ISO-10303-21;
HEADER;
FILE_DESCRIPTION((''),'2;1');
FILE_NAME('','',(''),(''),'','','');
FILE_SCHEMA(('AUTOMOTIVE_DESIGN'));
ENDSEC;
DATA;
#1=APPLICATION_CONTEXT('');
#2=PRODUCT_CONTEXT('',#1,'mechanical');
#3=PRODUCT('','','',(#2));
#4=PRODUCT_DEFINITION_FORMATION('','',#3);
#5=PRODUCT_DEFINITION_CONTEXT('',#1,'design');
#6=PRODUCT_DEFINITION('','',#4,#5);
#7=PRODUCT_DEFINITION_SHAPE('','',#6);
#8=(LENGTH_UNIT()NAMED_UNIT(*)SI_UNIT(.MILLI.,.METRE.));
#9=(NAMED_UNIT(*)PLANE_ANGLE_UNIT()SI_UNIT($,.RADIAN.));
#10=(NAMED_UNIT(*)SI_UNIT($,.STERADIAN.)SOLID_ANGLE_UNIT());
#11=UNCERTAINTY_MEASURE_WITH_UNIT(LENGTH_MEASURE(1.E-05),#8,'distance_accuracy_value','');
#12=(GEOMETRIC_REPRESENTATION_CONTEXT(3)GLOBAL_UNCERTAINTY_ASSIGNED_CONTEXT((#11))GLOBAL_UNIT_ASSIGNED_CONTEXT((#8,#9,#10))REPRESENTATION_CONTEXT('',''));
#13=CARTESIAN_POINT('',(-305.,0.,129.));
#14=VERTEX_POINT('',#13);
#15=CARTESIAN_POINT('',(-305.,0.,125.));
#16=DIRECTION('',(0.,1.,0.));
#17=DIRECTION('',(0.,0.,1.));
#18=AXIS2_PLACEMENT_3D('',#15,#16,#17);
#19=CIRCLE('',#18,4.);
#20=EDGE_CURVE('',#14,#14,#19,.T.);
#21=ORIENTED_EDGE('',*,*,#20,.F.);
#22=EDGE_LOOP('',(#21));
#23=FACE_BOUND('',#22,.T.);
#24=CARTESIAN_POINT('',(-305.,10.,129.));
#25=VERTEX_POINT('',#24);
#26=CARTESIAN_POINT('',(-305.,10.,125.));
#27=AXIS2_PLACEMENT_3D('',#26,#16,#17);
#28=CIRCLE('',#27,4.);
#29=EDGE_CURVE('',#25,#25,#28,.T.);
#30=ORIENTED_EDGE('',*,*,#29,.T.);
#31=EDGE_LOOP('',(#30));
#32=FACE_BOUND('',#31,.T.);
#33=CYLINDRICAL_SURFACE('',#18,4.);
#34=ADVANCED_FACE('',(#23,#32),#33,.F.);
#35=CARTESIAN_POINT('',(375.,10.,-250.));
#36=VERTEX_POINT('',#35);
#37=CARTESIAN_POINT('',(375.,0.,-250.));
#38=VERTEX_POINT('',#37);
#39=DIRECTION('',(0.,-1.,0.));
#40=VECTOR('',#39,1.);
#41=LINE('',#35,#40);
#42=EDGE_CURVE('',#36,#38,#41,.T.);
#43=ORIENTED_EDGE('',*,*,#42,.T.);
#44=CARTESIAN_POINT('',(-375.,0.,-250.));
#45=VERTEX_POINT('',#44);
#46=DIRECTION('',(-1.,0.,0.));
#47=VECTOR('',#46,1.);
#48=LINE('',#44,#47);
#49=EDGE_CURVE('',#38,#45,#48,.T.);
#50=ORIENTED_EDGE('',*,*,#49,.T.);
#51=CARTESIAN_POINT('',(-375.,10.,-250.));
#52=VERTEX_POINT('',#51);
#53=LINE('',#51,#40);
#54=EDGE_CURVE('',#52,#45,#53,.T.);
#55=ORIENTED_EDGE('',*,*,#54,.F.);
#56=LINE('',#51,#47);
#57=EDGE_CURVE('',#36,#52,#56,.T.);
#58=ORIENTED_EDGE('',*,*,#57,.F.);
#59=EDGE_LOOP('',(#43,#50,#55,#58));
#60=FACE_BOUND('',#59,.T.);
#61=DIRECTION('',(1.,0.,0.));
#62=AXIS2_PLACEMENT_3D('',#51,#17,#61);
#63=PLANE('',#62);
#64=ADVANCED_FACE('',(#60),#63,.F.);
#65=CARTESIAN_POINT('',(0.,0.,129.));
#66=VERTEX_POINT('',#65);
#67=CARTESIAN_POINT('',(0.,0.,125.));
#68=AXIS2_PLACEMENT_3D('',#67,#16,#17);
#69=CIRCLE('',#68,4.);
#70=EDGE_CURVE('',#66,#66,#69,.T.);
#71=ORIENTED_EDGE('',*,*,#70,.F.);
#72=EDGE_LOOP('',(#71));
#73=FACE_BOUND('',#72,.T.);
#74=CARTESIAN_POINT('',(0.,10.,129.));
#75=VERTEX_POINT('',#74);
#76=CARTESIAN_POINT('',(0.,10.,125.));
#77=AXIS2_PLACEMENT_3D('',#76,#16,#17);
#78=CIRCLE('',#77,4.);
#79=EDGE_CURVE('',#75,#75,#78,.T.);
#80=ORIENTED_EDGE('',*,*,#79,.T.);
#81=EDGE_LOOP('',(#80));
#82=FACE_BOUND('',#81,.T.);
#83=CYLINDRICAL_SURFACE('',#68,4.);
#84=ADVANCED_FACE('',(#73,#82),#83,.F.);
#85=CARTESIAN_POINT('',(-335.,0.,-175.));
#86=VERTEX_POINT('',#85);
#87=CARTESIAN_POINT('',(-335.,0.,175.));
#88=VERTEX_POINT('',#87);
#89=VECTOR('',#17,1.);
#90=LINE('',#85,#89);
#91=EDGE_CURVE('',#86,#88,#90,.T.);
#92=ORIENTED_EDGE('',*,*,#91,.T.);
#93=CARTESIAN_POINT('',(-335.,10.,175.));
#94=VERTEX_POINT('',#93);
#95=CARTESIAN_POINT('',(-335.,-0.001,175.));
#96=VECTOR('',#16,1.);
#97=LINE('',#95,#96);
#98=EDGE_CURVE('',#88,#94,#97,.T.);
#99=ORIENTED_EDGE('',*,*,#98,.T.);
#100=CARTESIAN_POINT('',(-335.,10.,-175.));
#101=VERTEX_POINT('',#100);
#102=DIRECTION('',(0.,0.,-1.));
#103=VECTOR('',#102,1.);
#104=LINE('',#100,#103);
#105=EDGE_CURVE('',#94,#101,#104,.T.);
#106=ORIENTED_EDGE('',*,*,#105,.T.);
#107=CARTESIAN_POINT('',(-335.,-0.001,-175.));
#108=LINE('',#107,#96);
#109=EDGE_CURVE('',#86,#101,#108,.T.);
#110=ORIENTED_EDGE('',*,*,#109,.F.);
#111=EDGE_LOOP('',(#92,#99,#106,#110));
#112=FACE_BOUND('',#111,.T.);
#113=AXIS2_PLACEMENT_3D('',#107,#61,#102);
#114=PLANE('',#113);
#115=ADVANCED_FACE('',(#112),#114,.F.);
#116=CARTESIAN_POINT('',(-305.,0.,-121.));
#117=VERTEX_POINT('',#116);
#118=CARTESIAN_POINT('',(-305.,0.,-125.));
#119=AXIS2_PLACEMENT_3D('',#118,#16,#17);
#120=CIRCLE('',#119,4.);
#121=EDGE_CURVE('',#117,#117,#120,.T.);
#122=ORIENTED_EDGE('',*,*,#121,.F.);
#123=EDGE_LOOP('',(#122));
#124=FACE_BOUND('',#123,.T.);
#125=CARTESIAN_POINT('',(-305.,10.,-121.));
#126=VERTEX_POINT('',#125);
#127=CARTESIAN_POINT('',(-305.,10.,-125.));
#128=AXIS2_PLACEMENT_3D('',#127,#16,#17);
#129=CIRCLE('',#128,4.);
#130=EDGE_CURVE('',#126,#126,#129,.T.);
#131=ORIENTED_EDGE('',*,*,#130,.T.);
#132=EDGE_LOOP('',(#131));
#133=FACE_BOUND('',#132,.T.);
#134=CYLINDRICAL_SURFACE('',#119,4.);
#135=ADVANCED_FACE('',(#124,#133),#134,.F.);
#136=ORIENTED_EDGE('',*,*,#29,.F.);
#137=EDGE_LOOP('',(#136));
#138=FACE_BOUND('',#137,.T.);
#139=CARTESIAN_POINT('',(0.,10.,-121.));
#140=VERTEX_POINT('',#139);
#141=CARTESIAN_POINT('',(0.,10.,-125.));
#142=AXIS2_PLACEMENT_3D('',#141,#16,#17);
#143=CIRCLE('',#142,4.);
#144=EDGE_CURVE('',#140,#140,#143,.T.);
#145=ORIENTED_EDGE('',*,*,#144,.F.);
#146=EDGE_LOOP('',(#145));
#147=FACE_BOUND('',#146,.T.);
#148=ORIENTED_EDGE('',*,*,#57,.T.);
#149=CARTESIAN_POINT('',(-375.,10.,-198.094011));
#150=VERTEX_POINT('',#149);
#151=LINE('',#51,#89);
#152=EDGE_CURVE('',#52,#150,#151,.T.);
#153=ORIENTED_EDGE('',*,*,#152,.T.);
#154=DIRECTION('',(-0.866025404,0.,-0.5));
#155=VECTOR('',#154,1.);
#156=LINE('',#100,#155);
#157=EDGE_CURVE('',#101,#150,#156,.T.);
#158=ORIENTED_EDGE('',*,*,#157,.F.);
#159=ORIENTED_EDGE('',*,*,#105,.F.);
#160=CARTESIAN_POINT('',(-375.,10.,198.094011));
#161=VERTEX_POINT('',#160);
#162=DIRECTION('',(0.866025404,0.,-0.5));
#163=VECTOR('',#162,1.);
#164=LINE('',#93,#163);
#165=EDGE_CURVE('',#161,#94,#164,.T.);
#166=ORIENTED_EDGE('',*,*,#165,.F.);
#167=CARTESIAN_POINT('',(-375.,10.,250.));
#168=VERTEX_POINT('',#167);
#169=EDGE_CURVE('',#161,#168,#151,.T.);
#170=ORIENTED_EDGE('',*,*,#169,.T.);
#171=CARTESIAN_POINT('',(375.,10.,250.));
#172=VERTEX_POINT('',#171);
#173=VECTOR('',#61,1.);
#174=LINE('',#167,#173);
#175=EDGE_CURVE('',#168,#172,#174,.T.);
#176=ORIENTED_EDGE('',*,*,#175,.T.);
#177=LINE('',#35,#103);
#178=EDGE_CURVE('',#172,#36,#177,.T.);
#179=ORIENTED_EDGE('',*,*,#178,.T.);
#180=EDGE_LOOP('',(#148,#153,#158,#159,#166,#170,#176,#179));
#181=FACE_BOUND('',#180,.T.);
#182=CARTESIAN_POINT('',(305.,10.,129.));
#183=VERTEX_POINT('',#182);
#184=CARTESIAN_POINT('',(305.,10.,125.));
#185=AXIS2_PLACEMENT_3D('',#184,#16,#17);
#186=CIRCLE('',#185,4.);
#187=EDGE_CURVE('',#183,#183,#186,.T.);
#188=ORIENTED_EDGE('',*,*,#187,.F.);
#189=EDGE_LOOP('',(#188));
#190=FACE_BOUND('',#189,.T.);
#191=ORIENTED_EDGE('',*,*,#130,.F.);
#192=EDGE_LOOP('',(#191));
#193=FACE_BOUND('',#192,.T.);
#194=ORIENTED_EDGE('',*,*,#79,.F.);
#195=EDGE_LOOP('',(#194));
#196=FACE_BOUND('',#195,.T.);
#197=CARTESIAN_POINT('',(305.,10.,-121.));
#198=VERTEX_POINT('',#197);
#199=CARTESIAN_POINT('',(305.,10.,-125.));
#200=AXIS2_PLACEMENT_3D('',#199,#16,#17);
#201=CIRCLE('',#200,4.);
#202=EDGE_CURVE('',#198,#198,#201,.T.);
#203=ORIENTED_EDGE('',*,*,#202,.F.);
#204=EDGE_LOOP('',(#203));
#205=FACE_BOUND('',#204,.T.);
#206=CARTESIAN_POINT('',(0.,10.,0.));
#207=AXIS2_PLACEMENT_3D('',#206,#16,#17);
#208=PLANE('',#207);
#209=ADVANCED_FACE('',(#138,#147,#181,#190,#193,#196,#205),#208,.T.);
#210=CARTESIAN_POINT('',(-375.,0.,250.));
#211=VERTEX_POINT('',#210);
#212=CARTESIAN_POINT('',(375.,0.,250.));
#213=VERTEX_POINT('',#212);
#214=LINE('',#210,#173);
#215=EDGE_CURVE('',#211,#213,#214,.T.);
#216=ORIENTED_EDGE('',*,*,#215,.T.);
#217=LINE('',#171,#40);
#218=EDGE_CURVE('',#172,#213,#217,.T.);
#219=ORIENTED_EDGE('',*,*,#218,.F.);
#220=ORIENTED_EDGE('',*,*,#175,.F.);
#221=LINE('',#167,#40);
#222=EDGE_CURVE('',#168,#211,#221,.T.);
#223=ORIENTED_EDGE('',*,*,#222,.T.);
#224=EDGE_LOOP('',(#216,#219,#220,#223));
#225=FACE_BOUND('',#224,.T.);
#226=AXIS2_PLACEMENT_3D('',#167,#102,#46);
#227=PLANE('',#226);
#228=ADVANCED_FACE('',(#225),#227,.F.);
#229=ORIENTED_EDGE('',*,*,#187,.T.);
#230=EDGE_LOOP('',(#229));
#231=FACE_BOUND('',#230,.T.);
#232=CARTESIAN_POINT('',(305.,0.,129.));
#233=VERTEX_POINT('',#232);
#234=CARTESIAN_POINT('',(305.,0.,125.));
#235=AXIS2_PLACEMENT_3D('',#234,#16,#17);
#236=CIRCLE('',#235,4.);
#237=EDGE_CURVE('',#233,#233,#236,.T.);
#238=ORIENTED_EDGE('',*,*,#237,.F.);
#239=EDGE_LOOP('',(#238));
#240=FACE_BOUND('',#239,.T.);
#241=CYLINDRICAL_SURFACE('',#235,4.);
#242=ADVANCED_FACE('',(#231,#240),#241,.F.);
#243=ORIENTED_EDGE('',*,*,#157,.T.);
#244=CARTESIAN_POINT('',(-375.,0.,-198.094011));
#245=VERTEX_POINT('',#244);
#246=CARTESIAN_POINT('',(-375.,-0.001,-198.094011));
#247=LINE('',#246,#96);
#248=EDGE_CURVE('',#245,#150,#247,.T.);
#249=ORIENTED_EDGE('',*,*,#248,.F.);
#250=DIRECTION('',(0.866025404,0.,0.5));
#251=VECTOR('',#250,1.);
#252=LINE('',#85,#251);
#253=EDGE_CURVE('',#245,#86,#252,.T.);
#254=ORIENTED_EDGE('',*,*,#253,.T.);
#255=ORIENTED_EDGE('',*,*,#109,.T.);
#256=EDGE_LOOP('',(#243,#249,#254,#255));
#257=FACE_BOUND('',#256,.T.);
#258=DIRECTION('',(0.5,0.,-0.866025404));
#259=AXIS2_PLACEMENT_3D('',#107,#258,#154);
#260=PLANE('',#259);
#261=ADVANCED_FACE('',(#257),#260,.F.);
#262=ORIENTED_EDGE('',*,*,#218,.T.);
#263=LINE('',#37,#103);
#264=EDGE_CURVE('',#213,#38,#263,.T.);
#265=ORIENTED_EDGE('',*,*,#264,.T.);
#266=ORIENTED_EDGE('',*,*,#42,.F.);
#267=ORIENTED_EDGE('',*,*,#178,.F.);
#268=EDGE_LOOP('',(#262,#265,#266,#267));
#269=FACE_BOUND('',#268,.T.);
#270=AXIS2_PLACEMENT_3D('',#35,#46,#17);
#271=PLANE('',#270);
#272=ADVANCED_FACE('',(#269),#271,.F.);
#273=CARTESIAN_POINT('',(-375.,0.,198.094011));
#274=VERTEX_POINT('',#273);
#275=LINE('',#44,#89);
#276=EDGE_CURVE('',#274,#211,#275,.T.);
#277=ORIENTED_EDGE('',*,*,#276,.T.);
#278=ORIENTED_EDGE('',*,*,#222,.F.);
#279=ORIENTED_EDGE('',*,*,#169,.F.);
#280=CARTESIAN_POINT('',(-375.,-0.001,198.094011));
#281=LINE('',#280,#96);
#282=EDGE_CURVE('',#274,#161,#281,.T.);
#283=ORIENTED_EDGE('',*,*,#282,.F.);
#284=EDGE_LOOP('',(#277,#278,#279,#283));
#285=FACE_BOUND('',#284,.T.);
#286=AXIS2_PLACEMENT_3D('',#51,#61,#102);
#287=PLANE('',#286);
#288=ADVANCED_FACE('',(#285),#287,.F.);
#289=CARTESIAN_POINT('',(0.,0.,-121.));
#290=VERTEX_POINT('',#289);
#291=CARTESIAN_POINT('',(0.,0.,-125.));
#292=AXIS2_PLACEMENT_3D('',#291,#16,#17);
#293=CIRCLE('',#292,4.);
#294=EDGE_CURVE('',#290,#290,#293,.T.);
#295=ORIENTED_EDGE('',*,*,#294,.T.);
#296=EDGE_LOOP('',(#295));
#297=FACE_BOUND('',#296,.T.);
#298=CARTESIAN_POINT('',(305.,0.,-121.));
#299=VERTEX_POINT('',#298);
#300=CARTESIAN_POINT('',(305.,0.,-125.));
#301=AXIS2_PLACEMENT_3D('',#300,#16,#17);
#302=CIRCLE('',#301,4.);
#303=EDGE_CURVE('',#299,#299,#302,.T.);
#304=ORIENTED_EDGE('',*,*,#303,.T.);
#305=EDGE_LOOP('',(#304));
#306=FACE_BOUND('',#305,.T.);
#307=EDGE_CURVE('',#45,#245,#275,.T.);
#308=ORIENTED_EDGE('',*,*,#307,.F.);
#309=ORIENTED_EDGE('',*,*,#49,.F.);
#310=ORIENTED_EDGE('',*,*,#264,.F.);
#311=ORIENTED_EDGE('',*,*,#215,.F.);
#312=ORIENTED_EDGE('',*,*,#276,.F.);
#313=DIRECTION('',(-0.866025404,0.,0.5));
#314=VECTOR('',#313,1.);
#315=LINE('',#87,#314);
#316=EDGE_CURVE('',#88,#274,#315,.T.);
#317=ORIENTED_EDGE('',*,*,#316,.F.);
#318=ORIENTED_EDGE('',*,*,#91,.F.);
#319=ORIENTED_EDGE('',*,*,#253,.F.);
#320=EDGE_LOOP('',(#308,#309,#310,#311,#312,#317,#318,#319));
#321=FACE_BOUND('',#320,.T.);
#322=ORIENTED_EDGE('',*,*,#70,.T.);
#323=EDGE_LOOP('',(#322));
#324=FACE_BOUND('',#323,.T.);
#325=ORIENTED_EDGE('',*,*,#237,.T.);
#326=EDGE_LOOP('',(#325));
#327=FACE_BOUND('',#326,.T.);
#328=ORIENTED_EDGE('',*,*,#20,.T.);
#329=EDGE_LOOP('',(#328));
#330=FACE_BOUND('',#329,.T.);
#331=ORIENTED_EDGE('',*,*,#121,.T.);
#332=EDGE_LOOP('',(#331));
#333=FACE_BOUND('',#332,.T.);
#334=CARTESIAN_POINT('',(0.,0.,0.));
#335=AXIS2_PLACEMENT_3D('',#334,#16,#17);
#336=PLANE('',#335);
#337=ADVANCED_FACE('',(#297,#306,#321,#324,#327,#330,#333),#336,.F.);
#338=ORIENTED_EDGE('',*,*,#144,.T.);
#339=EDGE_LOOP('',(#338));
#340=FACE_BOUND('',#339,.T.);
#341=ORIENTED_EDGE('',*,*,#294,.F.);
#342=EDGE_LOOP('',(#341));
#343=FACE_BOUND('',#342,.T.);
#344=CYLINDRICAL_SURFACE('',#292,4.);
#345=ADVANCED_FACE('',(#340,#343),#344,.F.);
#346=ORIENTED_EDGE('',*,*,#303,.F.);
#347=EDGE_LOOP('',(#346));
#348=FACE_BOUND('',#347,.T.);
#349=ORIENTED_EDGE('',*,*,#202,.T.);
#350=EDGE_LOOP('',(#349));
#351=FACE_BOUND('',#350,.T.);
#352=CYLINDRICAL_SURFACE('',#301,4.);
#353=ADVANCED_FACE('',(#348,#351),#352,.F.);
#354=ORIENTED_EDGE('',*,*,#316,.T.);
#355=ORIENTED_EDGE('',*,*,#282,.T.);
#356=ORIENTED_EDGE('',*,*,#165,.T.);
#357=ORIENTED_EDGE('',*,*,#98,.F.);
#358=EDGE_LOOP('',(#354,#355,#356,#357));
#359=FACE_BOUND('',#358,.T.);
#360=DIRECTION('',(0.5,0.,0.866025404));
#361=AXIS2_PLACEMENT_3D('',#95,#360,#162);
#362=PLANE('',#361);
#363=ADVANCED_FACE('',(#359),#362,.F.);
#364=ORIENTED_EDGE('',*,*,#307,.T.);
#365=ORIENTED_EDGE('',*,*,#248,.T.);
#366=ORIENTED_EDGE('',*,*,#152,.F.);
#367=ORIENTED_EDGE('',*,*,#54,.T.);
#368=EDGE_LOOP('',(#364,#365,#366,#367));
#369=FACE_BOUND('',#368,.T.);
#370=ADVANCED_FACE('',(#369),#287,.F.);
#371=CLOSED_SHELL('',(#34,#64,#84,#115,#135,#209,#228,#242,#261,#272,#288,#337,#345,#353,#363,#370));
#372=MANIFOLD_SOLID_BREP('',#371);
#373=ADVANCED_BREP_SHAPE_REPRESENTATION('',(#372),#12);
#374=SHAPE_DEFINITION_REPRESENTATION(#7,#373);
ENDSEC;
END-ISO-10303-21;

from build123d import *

# Parameters (mm, degrees)
SKETCH1_W           = 750
SKETCH1_H           = 500
BOSS_EXTRUDE1_DEPTH = 10
SKETCH2_R           = 4
CUT_EXTRUDE1_DEPTH  = 10
SKETCH3_R           = 4
CUT_EXTRUDE2_DEPTH  = 10
SKETCH4_R           = 4
CUT_EXTRUDE3_DEPTH  = 10
SKETCH5_R           = 4
CUT_EXTRUDE4_DEPTH  = 10
SKETCH6_R           = 4
CUT_EXTRUDE5_DEPTH  = 10
SKETCH7_R           = 4
CUT_EXTRUDE6_DEPTH  = 10
CUT_EXTRUDE7_REACH  = 12


with BuildPart() as part:
    # Sketch1 → Boss-Extrude1 (new body)
    with BuildSketch(Plane(origin=(0, 0, 0), x_dir=(1, 0, 0), z_dir=(0, 1, 0))):
        Rectangle(SKETCH1_W, SKETCH1_H)
    extrude(amount=BOSS_EXTRUDE1_DEPTH)

    # Sketch2 → Cut-Extrude1 (cut)
    with BuildSketch(Plane(origin=(0, 10, 0), x_dir=(1, 0, 0), z_dir=(0, 1, 0))):
        with Locations((305, 125)):
            Circle(SKETCH2_R)
    extrude(amount=-CUT_EXTRUDE1_DEPTH, mode=Mode.SUBTRACT)

    # Sketch3 → Cut-Extrude2 (cut)
    with BuildSketch(Plane(origin=(0, 10, 0), x_dir=(1, 0, 0), z_dir=(0, 1, 0))):
        with Locations((305, -125)):
            Circle(SKETCH3_R)
    extrude(amount=-CUT_EXTRUDE2_DEPTH, mode=Mode.SUBTRACT)

    # Sketch4 → Cut-Extrude3 (cut)
    with BuildSketch(Plane(origin=(0, 10, 0), x_dir=(1, 0, 0), z_dir=(0, 1, 0))):
        with Locations((0, 125)):
            Circle(SKETCH4_R)
    extrude(amount=-CUT_EXTRUDE3_DEPTH, mode=Mode.SUBTRACT)

    # Sketch5 → Cut-Extrude4 (cut)
    with BuildSketch(Plane(origin=(0, 10, 0), x_dir=(1, 0, 0), z_dir=(0, 1, 0))):
        with Locations((0, -125)):
            Circle(SKETCH5_R)
    extrude(amount=-CUT_EXTRUDE4_DEPTH, mode=Mode.SUBTRACT)

    # Sketch6 → Cut-Extrude5 (cut)
    with BuildSketch(Plane(origin=(0, 10, 0), x_dir=(1, 0, 0), z_dir=(0, 1, 0))):
        with Locations((-305, 125)):
            Circle(SKETCH6_R)
    extrude(amount=-CUT_EXTRUDE5_DEPTH, mode=Mode.SUBTRACT)

    # Sketch7 → Cut-Extrude6 (cut)
    with BuildSketch(Plane(origin=(0, 10, 0), x_dir=(1, 0, 0), z_dir=(0, 1, 0))):
        with Locations((-305, -125)):
            Circle(SKETCH7_R)
    extrude(amount=-CUT_EXTRUDE6_DEPTH, mode=Mode.SUBTRACT)

    # Sketch10 → Cut-Extrude7 (cut, up to next)
    with BuildSketch(Plane(origin=(0, 10, 0), x_dir=(1, 0, 0), z_dir=(0, 1, 0)), mode=Mode.PRIVATE) as cut_extrude7_sk1:
        Polygon((-335, 175), (-335, -175), (-375, -198.094010768), (-375, 198.094010768), align=None)
    cut_extrude7_tool1 = extrude(cut_extrude7_sk1.sketch, amount=-CUT_EXTRUDE7_REACH, mode=Mode.PRIVATE) & part.part
    add(cut_extrude7_tool1.solids().sort_by_distance((-355.412658, 10, 0))[0], mode=Mode.SUBTRACT)


solid = part.part
